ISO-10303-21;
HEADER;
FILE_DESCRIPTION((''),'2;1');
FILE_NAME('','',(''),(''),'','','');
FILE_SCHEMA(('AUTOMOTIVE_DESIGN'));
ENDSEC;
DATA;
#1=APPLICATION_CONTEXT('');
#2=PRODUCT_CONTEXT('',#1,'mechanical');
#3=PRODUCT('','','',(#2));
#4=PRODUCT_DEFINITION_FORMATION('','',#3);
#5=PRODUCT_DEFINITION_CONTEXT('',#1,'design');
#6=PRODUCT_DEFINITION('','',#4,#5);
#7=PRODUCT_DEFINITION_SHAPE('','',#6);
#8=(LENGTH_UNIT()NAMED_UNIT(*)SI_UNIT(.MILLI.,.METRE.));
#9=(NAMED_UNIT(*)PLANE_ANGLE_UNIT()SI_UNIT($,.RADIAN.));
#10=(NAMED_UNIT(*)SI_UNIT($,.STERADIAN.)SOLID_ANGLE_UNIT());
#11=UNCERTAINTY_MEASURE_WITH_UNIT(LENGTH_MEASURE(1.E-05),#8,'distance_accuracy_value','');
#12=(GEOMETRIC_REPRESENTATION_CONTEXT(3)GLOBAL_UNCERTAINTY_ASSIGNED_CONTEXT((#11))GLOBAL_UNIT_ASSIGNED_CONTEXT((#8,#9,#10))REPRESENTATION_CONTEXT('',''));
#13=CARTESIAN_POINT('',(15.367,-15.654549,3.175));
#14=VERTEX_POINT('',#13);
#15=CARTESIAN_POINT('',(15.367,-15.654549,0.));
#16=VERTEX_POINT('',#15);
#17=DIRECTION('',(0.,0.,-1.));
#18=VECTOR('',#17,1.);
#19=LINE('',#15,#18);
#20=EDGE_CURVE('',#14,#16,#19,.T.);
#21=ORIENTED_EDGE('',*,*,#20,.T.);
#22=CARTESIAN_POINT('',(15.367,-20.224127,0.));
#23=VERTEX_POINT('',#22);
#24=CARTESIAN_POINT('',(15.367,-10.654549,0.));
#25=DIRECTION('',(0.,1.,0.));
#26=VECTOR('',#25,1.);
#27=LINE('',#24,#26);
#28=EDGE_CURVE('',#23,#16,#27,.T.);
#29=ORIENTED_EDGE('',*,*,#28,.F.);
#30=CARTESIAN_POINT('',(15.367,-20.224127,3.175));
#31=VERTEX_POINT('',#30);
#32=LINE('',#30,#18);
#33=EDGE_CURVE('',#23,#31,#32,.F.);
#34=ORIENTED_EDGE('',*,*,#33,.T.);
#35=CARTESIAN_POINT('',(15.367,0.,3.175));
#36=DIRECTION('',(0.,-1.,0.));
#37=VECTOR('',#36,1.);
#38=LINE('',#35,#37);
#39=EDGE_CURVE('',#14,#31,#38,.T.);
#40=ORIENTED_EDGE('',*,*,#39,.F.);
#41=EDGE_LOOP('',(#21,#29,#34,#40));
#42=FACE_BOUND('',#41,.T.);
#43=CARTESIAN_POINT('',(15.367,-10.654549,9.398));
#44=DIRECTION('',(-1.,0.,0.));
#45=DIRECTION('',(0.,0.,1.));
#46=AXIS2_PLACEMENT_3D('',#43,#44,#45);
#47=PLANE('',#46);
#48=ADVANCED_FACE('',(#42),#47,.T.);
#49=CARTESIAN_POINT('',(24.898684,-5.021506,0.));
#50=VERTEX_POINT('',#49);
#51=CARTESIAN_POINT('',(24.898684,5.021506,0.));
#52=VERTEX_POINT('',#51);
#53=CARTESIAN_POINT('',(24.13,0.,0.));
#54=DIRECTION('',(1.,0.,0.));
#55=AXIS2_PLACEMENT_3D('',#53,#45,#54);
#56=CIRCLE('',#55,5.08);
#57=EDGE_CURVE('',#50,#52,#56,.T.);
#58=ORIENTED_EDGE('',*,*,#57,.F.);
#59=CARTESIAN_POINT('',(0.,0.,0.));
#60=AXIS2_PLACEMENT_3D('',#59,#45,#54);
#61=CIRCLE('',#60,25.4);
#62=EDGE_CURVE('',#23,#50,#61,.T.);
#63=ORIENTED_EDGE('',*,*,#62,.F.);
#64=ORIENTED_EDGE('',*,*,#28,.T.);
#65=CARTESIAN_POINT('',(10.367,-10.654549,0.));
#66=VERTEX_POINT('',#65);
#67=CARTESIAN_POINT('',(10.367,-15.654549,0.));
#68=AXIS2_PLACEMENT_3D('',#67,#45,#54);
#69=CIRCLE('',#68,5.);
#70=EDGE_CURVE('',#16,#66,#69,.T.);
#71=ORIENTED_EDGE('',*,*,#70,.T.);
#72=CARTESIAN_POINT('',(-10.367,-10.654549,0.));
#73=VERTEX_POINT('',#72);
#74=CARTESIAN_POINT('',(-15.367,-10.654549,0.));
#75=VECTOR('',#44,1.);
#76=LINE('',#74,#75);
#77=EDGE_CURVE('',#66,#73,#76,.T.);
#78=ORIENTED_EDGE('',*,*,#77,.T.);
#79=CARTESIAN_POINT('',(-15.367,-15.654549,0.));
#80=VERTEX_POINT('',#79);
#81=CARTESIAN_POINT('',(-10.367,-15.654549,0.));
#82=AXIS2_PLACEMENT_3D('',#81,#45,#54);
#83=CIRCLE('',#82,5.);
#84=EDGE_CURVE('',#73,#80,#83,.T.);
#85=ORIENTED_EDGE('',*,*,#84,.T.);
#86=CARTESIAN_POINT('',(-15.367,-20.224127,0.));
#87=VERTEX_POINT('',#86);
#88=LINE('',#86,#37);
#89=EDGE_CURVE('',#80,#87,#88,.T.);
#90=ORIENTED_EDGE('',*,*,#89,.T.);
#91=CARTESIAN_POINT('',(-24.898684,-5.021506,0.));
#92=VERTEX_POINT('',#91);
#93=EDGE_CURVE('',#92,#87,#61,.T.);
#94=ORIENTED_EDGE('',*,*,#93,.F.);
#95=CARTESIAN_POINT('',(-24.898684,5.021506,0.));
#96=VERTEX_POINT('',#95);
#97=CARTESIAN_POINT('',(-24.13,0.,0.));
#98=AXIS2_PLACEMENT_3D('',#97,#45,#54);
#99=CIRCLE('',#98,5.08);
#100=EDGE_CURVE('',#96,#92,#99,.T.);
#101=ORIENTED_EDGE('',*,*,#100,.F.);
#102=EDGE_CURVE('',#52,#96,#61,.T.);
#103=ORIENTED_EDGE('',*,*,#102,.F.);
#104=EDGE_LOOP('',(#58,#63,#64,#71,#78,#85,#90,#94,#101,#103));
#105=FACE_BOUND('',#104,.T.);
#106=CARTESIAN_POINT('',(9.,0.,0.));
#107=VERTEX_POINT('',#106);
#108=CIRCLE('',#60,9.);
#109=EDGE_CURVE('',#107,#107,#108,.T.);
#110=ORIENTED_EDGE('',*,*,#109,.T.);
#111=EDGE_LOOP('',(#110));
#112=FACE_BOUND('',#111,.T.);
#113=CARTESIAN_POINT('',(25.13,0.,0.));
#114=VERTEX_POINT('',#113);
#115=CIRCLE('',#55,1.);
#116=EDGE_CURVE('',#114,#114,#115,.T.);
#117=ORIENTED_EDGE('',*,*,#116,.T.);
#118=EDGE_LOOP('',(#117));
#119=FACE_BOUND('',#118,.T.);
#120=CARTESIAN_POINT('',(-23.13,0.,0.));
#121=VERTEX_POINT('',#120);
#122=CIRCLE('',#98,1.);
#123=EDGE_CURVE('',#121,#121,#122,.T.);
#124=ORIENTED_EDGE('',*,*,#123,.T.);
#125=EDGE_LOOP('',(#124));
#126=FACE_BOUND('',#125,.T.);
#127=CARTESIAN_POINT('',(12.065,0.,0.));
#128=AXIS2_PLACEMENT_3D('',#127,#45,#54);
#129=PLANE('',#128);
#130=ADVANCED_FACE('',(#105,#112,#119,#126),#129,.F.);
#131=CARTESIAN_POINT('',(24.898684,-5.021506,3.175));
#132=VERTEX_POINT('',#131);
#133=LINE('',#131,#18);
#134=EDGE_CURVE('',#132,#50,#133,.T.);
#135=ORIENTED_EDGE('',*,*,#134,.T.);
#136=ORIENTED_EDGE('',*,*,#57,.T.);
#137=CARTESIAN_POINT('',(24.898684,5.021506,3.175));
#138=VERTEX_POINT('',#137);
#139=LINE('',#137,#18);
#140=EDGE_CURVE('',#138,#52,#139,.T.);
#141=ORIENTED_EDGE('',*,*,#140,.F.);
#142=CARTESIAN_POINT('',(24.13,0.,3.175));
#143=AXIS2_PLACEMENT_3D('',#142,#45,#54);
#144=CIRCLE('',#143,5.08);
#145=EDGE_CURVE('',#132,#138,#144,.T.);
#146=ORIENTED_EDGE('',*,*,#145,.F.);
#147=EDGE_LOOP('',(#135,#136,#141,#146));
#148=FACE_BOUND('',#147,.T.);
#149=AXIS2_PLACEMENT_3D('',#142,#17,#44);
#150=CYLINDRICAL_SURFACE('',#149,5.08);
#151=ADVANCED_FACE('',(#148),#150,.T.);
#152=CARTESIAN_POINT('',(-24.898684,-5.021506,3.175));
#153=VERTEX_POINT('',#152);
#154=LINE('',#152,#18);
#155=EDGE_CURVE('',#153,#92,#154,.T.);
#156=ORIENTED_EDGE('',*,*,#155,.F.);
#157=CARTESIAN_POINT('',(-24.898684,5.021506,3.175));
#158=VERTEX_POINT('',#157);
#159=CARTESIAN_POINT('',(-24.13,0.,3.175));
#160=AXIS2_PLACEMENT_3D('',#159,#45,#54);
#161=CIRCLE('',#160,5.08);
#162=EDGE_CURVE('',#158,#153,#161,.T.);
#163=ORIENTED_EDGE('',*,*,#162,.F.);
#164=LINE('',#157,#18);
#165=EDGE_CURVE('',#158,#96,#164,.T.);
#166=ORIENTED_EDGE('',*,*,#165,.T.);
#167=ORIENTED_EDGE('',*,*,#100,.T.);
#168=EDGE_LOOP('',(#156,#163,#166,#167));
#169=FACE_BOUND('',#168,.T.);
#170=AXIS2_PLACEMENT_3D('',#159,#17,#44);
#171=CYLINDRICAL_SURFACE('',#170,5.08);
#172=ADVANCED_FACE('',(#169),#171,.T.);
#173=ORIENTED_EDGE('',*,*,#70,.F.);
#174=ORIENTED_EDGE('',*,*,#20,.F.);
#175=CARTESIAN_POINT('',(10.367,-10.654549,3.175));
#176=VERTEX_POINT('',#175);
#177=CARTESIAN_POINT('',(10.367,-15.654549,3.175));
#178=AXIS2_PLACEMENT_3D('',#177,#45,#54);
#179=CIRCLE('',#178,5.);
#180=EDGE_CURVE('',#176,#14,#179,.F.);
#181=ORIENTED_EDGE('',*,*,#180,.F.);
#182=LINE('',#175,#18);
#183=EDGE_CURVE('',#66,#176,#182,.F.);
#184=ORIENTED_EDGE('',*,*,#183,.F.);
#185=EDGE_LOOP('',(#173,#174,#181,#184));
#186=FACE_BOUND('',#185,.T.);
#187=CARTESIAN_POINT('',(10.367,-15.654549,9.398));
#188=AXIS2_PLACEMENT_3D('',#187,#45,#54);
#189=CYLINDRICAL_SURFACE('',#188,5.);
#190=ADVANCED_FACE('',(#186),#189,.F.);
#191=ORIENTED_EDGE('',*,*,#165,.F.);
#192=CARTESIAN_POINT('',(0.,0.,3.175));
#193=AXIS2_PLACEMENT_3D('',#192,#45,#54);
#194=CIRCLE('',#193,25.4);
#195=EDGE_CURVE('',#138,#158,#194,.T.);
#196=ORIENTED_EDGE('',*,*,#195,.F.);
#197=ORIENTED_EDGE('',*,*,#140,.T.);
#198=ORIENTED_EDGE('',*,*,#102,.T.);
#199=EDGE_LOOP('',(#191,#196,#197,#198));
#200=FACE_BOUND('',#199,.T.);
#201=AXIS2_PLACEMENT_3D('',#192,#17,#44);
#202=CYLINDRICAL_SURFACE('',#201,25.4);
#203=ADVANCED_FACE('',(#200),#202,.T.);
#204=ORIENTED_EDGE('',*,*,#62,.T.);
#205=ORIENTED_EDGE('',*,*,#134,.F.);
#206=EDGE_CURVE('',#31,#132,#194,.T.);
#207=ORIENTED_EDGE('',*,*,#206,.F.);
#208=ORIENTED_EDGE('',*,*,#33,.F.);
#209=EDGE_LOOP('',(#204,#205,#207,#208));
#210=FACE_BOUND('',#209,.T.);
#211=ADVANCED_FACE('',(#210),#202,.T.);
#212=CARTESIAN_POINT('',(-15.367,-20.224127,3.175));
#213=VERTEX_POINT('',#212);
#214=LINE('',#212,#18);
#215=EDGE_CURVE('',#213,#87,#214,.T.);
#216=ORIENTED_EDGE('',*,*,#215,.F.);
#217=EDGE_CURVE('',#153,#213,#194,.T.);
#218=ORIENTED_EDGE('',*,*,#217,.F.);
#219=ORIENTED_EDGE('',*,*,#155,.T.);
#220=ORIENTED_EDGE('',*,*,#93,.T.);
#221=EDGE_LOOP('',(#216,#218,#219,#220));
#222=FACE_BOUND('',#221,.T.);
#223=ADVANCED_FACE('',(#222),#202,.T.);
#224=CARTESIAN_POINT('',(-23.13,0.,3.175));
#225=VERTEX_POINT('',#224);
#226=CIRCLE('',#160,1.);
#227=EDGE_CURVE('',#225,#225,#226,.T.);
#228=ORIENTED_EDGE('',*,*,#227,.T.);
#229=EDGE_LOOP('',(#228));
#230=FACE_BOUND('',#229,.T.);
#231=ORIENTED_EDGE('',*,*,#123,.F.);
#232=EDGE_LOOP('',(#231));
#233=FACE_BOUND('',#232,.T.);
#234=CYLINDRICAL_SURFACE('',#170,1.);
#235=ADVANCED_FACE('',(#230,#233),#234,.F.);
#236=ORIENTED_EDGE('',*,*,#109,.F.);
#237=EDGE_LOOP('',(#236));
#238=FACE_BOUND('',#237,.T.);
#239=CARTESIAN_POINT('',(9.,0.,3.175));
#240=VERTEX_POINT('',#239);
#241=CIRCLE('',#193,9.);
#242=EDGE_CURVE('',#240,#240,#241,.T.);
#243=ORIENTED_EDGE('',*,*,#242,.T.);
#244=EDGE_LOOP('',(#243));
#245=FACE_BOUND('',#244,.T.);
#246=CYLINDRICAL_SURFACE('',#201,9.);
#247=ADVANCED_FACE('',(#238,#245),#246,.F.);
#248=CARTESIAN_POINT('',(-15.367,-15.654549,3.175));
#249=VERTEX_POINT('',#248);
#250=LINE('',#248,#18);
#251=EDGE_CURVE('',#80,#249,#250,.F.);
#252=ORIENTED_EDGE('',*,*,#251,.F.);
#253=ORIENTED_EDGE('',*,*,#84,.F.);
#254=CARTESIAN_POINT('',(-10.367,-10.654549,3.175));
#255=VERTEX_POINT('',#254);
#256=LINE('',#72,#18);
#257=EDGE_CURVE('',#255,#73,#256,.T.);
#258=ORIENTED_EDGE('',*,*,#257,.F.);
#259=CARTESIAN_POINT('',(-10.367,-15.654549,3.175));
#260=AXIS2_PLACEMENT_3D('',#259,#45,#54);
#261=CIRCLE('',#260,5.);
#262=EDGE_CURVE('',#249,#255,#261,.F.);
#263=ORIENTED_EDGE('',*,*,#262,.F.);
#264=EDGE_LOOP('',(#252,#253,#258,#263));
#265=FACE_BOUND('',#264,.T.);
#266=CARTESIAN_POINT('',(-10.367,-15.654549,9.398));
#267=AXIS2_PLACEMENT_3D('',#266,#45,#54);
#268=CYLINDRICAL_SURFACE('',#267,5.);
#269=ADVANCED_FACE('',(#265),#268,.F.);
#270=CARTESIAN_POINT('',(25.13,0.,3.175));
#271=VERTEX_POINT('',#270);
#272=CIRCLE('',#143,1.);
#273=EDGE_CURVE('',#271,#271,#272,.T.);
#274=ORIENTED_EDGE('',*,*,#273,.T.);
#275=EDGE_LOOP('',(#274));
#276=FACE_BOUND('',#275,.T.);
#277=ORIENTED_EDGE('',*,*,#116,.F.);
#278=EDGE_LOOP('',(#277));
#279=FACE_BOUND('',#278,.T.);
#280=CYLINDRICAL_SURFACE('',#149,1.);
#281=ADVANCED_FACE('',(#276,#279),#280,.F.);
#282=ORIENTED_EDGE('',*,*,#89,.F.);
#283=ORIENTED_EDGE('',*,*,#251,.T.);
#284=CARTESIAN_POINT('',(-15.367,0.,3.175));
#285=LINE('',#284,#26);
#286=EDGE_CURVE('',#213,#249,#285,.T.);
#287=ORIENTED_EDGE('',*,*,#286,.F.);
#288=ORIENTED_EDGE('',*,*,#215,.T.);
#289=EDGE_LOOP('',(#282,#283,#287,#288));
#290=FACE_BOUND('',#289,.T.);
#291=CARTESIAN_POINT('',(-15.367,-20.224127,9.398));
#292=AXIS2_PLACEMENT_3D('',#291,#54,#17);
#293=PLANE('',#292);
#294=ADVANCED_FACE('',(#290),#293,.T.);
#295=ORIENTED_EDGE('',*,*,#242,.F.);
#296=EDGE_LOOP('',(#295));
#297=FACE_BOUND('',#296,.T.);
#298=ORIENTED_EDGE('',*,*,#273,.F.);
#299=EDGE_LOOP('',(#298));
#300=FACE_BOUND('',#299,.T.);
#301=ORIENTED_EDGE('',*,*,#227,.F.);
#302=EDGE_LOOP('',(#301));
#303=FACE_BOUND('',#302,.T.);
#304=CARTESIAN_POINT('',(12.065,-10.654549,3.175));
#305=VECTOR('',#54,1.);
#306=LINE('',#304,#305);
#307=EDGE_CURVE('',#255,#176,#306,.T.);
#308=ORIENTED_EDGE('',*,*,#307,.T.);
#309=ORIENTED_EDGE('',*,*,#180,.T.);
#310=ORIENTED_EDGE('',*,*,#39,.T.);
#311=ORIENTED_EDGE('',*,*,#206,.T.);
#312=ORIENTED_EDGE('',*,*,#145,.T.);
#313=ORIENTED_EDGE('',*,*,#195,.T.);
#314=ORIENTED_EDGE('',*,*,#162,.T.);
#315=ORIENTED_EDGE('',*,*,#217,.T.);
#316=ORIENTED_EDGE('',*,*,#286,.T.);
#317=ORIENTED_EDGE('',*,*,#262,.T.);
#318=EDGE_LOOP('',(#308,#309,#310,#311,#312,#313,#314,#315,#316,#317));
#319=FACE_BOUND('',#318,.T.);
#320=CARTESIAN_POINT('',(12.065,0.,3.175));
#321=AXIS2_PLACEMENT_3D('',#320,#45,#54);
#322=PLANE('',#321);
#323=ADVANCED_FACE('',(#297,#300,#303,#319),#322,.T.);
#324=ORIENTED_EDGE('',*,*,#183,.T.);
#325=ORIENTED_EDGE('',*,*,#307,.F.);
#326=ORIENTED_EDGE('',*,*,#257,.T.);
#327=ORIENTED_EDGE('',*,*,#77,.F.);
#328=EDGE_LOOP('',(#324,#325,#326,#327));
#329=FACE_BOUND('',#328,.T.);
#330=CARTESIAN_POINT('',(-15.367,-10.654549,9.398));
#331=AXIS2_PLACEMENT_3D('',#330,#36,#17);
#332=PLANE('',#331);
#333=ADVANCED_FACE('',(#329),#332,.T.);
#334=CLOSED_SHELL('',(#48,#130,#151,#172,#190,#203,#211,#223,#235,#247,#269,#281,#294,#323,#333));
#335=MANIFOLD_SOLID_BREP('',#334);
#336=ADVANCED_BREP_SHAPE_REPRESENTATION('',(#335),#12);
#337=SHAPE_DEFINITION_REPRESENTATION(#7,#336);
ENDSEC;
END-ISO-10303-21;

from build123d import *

# Parameters (mm, degrees)
SKETCH1_R           = 1
SKETCH1_R_2         = 9
BOSS_EXTRUDE1_DEPTH = 3.175
CUT_EXTRUDE3_DEPTH  = 9.398
FILLET3_R           = 5


with BuildPart() as part:
    # Sketch1 → Boss-Extrude1 (new body)
    with BuildSketch(Plane.XY):
        with BuildLine():
            ThreePointArc((24.898684211, -5.021506207), (29.21, 0), (24.898684211, 5.021506207))
            ThreePointArc((24.898684211, 5.021506207), (0, 25.4), (-24.898684211, 5.021506207))
            ThreePointArc((-24.898684211, 5.021506207), (-29.21, 0), (-24.898684211, -5.021506207))
            ThreePointArc((-24.898684211, -5.021506207), (0, -25.4), (24.898684211, -5.021506207))
        make_face()
        with Locations((-24.13, 0)):
            Circle(SKETCH1_R, mode=Mode.SUBTRACT)
        with Locations((24.13, 0)):
            Circle(SKETCH1_R, mode=Mode.SUBTRACT)
        Circle(SKETCH1_R_2, mode=Mode.SUBTRACT)
    extrude(amount=BOSS_EXTRUDE1_DEPTH)

    # Sketch2 → Cut-Extrude3 (cut)
    with BuildSketch(Plane.XY):
        with BuildLine():
            Line((-15.367, -20.224126953), (-15.367, -10.654548843))
            Line((-15.367, -10.654548843), (15.367, -10.654548843))
            Line((15.367, -10.654548843), (15.367, -20.224126953))
            ThreePointArc((15.367, -20.224126953), (0, -25.4), (-15.367, -20.224126953))
        make_face()
    extrude(amount=CUT_EXTRUDE3_DEPTH, mode=Mode.SUBTRACT)

    # Fillet3
    fillet3_edges = [part.edges().sort_by_distance(p)[0] for p in [
        (15.367, -10.654548843, 1.5875),
        (-15.367, -10.654548843, 1.5875),
    ]]
    fillet(fillet3_edges, radius=FILLET3_R)


solid = part.part
